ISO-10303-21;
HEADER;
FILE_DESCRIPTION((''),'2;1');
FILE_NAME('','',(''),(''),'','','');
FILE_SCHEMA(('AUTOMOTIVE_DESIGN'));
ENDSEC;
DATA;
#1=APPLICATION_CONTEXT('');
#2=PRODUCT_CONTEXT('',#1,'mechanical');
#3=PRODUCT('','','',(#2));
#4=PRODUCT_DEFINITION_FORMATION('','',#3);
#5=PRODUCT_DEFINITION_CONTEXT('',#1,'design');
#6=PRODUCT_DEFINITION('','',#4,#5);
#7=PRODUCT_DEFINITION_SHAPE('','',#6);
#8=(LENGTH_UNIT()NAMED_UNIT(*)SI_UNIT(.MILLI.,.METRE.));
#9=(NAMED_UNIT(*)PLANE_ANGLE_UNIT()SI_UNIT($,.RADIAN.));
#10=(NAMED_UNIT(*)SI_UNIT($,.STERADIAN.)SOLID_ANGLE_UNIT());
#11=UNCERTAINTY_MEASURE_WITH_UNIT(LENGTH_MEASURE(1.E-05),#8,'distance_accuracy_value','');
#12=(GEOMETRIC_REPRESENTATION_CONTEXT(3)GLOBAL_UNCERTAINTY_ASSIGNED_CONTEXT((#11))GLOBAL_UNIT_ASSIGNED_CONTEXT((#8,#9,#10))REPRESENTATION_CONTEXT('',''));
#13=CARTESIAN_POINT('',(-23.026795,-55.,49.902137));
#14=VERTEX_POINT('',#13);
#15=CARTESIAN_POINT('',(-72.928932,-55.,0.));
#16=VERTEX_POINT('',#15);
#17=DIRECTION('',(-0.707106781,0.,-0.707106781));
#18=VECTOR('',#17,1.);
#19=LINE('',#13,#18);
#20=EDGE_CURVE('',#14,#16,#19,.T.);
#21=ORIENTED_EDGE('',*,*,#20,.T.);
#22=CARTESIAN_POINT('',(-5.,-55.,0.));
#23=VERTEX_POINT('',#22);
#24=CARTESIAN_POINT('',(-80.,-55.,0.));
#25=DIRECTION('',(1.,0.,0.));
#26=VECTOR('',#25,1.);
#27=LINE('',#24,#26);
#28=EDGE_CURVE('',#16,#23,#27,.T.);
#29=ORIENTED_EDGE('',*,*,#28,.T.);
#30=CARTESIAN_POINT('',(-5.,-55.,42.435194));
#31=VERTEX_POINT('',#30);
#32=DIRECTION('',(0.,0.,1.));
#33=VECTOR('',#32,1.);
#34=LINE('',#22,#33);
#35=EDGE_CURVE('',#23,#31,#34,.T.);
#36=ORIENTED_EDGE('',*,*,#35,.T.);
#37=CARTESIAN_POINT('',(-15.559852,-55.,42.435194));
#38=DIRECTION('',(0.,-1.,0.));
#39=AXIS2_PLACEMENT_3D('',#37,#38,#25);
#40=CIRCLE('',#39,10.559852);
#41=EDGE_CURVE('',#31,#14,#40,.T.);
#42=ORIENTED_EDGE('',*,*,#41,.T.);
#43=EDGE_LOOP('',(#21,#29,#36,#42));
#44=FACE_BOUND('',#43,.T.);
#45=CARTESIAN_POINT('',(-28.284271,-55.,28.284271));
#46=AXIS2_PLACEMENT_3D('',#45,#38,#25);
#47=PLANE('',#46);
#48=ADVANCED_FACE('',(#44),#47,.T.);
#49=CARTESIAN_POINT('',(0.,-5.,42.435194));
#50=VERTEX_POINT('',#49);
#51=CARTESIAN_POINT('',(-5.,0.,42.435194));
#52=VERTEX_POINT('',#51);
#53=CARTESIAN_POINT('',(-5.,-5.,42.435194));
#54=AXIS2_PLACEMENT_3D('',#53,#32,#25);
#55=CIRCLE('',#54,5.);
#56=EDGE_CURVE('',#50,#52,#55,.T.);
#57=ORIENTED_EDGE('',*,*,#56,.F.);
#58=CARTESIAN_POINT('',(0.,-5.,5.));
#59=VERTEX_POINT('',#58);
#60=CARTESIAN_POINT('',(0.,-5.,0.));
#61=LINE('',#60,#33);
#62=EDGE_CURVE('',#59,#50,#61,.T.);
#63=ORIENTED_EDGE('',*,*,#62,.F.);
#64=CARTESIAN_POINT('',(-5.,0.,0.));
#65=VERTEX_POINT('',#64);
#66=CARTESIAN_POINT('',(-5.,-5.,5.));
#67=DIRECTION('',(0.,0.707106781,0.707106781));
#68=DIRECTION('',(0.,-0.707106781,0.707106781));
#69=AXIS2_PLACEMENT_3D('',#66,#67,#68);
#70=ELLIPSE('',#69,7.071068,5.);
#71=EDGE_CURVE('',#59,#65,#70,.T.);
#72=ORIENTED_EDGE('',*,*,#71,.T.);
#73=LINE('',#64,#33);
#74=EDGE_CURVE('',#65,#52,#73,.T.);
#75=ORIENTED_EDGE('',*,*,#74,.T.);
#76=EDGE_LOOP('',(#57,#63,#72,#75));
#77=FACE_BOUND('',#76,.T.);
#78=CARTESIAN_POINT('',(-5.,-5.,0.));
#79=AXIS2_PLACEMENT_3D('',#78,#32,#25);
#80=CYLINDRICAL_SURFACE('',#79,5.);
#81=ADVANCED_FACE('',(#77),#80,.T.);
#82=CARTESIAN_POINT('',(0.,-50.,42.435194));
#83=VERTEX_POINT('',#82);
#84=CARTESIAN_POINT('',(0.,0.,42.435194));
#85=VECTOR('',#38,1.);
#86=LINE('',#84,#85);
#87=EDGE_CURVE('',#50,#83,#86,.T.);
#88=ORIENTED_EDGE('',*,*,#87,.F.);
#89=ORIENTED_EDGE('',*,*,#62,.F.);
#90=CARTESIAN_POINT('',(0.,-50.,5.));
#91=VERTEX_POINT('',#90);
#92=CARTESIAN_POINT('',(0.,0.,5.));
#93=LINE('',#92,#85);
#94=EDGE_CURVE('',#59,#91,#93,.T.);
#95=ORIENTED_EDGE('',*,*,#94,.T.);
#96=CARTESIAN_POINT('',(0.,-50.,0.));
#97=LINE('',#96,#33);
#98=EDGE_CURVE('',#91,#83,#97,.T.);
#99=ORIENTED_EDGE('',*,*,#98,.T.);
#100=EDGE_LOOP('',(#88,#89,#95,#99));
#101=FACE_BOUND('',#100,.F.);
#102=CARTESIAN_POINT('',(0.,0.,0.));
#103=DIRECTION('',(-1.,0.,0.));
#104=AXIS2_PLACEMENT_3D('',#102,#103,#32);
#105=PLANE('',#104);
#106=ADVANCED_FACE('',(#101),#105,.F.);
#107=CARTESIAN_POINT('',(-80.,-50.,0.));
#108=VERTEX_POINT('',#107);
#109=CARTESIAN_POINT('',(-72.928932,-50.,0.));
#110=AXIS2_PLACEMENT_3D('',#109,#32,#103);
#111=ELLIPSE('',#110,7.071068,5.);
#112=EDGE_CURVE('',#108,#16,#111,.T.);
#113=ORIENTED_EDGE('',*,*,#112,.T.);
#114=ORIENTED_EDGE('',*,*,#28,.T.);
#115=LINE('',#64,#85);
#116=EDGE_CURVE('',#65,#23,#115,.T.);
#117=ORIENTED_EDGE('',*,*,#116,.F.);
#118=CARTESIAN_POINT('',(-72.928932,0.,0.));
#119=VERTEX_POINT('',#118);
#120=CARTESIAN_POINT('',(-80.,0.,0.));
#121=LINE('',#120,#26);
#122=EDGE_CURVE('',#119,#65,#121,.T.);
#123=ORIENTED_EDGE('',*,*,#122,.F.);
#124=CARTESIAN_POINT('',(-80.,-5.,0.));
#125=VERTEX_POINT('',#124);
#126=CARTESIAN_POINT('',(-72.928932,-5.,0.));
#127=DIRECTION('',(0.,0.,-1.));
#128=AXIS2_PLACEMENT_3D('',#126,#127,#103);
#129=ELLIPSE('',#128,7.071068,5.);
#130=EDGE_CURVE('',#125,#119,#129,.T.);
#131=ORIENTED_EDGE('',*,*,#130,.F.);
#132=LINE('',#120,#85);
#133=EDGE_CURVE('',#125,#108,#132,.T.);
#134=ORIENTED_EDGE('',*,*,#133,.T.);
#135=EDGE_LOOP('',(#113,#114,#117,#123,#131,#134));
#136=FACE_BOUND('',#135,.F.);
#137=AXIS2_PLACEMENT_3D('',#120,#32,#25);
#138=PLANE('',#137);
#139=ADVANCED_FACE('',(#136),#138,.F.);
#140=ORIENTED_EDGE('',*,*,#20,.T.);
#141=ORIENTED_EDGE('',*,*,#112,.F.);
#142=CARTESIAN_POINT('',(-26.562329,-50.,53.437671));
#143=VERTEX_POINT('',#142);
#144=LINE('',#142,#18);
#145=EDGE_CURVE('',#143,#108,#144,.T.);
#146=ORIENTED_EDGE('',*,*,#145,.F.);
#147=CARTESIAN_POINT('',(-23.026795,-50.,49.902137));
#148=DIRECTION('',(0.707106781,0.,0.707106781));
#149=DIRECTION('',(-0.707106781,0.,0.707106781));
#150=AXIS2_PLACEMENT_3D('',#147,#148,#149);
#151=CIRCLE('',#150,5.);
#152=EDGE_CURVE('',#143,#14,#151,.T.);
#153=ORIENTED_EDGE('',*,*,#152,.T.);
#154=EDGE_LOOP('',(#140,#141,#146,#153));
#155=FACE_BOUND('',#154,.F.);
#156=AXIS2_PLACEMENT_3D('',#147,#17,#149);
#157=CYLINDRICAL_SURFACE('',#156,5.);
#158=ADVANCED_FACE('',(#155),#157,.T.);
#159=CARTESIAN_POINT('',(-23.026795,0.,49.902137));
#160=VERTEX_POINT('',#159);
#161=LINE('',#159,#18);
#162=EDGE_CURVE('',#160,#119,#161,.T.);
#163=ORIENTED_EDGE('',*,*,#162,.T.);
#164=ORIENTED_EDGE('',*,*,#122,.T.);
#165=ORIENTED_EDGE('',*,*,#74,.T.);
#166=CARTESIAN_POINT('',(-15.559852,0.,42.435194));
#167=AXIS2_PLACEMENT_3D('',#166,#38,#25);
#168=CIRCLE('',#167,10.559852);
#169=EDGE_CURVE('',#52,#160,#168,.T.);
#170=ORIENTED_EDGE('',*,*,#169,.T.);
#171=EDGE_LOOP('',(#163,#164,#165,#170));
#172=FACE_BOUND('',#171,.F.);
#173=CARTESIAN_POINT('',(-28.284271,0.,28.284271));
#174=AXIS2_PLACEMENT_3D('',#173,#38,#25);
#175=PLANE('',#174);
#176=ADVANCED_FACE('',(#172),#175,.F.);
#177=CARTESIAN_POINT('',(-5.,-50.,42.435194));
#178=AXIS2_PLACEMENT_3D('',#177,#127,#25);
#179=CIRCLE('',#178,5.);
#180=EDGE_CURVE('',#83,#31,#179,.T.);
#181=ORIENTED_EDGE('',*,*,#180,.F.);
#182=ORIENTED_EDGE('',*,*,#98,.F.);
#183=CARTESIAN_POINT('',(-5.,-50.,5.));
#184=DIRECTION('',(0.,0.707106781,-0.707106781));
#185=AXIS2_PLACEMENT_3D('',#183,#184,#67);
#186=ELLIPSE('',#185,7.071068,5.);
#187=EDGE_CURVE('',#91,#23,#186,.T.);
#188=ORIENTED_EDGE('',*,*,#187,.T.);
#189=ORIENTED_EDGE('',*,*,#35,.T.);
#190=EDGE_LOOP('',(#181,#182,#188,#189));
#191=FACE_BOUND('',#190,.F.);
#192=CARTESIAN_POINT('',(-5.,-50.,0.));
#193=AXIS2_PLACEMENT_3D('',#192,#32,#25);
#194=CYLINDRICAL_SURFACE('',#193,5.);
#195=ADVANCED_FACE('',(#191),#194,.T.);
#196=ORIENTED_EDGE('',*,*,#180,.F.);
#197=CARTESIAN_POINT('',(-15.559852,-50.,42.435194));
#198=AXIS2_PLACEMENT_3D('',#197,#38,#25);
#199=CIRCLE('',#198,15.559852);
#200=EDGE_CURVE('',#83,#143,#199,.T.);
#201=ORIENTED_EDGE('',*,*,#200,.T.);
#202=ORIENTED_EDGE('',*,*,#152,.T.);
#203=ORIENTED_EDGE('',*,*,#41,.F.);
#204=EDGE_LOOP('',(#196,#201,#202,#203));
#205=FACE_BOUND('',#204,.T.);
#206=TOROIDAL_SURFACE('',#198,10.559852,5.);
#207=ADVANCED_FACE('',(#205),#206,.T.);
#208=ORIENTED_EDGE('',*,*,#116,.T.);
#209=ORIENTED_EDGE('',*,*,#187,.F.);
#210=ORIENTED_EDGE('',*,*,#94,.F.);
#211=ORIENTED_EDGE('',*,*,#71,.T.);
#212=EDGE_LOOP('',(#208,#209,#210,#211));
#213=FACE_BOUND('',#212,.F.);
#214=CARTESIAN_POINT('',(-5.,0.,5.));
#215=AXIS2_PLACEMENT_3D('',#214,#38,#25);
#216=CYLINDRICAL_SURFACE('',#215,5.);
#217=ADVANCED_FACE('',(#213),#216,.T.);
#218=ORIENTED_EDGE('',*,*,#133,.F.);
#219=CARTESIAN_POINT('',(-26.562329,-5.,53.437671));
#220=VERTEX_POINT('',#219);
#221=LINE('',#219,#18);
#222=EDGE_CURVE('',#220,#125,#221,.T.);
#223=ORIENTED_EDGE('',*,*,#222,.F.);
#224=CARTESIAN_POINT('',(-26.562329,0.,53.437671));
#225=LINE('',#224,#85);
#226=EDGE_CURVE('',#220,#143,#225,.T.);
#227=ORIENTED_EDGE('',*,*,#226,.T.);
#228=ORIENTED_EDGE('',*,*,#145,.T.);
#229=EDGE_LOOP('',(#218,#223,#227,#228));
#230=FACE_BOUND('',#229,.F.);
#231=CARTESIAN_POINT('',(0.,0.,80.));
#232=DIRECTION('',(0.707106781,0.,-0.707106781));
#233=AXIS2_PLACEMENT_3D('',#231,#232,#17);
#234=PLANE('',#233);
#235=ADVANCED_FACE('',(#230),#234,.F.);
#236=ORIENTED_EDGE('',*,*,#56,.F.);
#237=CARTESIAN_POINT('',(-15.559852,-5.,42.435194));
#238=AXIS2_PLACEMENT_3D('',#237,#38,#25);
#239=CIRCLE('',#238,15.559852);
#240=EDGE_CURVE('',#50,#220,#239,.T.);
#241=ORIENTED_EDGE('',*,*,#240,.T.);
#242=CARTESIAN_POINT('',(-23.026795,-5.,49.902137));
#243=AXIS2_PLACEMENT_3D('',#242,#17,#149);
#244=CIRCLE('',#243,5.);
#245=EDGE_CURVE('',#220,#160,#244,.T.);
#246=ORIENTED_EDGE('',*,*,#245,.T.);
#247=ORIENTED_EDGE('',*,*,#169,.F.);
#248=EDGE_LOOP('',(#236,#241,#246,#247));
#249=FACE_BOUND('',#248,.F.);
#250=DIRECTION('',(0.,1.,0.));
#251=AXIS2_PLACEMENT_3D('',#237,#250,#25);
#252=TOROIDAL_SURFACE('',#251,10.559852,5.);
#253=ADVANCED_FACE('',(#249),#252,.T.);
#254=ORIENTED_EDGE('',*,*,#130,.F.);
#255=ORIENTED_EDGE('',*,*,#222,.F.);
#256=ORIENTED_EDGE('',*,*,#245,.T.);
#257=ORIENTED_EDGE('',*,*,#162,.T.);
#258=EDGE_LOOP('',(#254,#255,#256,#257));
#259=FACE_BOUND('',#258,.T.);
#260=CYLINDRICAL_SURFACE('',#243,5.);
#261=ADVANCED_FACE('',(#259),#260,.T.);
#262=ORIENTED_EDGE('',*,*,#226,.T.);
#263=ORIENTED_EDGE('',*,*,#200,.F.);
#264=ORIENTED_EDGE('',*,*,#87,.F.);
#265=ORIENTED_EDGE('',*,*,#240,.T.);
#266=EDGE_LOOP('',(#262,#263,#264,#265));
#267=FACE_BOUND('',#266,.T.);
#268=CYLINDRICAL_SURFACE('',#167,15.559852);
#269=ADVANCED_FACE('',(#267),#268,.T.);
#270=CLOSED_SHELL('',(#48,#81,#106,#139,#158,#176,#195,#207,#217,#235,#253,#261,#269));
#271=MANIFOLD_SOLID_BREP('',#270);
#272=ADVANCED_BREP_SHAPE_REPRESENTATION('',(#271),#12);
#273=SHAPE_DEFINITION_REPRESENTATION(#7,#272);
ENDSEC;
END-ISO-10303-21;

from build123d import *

# Parameters (mm, degrees)
F1_DEPTH = 55
F2_R     = 15.559852
F3_R     = 5


with BuildPart() as f1:
    # F0 (on Front) → F1 (new body)
    with BuildSketch(Plane.XZ):
        Polygon((-80, 0), (0, 0), (0, 80), align=None)
    extrude(amount=F1_DEPTH)

    # F2
    f2_edges = [f1.edges().sort_by_distance(p)[0] for p in [
        (0, -27.5, 80),
    ]]
    fillet(f2_edges, radius=F2_R)

    # F3
    f3_edges = [f1.edges().sort_by_distance(p)[0] for p in [
        (0, -55, 21.217598),
        (0, 0, 21.217598),
        (0, -27.5, 0),
    ]]
    fillet(f3_edges, radius=F3_R)


solid = f1.part
